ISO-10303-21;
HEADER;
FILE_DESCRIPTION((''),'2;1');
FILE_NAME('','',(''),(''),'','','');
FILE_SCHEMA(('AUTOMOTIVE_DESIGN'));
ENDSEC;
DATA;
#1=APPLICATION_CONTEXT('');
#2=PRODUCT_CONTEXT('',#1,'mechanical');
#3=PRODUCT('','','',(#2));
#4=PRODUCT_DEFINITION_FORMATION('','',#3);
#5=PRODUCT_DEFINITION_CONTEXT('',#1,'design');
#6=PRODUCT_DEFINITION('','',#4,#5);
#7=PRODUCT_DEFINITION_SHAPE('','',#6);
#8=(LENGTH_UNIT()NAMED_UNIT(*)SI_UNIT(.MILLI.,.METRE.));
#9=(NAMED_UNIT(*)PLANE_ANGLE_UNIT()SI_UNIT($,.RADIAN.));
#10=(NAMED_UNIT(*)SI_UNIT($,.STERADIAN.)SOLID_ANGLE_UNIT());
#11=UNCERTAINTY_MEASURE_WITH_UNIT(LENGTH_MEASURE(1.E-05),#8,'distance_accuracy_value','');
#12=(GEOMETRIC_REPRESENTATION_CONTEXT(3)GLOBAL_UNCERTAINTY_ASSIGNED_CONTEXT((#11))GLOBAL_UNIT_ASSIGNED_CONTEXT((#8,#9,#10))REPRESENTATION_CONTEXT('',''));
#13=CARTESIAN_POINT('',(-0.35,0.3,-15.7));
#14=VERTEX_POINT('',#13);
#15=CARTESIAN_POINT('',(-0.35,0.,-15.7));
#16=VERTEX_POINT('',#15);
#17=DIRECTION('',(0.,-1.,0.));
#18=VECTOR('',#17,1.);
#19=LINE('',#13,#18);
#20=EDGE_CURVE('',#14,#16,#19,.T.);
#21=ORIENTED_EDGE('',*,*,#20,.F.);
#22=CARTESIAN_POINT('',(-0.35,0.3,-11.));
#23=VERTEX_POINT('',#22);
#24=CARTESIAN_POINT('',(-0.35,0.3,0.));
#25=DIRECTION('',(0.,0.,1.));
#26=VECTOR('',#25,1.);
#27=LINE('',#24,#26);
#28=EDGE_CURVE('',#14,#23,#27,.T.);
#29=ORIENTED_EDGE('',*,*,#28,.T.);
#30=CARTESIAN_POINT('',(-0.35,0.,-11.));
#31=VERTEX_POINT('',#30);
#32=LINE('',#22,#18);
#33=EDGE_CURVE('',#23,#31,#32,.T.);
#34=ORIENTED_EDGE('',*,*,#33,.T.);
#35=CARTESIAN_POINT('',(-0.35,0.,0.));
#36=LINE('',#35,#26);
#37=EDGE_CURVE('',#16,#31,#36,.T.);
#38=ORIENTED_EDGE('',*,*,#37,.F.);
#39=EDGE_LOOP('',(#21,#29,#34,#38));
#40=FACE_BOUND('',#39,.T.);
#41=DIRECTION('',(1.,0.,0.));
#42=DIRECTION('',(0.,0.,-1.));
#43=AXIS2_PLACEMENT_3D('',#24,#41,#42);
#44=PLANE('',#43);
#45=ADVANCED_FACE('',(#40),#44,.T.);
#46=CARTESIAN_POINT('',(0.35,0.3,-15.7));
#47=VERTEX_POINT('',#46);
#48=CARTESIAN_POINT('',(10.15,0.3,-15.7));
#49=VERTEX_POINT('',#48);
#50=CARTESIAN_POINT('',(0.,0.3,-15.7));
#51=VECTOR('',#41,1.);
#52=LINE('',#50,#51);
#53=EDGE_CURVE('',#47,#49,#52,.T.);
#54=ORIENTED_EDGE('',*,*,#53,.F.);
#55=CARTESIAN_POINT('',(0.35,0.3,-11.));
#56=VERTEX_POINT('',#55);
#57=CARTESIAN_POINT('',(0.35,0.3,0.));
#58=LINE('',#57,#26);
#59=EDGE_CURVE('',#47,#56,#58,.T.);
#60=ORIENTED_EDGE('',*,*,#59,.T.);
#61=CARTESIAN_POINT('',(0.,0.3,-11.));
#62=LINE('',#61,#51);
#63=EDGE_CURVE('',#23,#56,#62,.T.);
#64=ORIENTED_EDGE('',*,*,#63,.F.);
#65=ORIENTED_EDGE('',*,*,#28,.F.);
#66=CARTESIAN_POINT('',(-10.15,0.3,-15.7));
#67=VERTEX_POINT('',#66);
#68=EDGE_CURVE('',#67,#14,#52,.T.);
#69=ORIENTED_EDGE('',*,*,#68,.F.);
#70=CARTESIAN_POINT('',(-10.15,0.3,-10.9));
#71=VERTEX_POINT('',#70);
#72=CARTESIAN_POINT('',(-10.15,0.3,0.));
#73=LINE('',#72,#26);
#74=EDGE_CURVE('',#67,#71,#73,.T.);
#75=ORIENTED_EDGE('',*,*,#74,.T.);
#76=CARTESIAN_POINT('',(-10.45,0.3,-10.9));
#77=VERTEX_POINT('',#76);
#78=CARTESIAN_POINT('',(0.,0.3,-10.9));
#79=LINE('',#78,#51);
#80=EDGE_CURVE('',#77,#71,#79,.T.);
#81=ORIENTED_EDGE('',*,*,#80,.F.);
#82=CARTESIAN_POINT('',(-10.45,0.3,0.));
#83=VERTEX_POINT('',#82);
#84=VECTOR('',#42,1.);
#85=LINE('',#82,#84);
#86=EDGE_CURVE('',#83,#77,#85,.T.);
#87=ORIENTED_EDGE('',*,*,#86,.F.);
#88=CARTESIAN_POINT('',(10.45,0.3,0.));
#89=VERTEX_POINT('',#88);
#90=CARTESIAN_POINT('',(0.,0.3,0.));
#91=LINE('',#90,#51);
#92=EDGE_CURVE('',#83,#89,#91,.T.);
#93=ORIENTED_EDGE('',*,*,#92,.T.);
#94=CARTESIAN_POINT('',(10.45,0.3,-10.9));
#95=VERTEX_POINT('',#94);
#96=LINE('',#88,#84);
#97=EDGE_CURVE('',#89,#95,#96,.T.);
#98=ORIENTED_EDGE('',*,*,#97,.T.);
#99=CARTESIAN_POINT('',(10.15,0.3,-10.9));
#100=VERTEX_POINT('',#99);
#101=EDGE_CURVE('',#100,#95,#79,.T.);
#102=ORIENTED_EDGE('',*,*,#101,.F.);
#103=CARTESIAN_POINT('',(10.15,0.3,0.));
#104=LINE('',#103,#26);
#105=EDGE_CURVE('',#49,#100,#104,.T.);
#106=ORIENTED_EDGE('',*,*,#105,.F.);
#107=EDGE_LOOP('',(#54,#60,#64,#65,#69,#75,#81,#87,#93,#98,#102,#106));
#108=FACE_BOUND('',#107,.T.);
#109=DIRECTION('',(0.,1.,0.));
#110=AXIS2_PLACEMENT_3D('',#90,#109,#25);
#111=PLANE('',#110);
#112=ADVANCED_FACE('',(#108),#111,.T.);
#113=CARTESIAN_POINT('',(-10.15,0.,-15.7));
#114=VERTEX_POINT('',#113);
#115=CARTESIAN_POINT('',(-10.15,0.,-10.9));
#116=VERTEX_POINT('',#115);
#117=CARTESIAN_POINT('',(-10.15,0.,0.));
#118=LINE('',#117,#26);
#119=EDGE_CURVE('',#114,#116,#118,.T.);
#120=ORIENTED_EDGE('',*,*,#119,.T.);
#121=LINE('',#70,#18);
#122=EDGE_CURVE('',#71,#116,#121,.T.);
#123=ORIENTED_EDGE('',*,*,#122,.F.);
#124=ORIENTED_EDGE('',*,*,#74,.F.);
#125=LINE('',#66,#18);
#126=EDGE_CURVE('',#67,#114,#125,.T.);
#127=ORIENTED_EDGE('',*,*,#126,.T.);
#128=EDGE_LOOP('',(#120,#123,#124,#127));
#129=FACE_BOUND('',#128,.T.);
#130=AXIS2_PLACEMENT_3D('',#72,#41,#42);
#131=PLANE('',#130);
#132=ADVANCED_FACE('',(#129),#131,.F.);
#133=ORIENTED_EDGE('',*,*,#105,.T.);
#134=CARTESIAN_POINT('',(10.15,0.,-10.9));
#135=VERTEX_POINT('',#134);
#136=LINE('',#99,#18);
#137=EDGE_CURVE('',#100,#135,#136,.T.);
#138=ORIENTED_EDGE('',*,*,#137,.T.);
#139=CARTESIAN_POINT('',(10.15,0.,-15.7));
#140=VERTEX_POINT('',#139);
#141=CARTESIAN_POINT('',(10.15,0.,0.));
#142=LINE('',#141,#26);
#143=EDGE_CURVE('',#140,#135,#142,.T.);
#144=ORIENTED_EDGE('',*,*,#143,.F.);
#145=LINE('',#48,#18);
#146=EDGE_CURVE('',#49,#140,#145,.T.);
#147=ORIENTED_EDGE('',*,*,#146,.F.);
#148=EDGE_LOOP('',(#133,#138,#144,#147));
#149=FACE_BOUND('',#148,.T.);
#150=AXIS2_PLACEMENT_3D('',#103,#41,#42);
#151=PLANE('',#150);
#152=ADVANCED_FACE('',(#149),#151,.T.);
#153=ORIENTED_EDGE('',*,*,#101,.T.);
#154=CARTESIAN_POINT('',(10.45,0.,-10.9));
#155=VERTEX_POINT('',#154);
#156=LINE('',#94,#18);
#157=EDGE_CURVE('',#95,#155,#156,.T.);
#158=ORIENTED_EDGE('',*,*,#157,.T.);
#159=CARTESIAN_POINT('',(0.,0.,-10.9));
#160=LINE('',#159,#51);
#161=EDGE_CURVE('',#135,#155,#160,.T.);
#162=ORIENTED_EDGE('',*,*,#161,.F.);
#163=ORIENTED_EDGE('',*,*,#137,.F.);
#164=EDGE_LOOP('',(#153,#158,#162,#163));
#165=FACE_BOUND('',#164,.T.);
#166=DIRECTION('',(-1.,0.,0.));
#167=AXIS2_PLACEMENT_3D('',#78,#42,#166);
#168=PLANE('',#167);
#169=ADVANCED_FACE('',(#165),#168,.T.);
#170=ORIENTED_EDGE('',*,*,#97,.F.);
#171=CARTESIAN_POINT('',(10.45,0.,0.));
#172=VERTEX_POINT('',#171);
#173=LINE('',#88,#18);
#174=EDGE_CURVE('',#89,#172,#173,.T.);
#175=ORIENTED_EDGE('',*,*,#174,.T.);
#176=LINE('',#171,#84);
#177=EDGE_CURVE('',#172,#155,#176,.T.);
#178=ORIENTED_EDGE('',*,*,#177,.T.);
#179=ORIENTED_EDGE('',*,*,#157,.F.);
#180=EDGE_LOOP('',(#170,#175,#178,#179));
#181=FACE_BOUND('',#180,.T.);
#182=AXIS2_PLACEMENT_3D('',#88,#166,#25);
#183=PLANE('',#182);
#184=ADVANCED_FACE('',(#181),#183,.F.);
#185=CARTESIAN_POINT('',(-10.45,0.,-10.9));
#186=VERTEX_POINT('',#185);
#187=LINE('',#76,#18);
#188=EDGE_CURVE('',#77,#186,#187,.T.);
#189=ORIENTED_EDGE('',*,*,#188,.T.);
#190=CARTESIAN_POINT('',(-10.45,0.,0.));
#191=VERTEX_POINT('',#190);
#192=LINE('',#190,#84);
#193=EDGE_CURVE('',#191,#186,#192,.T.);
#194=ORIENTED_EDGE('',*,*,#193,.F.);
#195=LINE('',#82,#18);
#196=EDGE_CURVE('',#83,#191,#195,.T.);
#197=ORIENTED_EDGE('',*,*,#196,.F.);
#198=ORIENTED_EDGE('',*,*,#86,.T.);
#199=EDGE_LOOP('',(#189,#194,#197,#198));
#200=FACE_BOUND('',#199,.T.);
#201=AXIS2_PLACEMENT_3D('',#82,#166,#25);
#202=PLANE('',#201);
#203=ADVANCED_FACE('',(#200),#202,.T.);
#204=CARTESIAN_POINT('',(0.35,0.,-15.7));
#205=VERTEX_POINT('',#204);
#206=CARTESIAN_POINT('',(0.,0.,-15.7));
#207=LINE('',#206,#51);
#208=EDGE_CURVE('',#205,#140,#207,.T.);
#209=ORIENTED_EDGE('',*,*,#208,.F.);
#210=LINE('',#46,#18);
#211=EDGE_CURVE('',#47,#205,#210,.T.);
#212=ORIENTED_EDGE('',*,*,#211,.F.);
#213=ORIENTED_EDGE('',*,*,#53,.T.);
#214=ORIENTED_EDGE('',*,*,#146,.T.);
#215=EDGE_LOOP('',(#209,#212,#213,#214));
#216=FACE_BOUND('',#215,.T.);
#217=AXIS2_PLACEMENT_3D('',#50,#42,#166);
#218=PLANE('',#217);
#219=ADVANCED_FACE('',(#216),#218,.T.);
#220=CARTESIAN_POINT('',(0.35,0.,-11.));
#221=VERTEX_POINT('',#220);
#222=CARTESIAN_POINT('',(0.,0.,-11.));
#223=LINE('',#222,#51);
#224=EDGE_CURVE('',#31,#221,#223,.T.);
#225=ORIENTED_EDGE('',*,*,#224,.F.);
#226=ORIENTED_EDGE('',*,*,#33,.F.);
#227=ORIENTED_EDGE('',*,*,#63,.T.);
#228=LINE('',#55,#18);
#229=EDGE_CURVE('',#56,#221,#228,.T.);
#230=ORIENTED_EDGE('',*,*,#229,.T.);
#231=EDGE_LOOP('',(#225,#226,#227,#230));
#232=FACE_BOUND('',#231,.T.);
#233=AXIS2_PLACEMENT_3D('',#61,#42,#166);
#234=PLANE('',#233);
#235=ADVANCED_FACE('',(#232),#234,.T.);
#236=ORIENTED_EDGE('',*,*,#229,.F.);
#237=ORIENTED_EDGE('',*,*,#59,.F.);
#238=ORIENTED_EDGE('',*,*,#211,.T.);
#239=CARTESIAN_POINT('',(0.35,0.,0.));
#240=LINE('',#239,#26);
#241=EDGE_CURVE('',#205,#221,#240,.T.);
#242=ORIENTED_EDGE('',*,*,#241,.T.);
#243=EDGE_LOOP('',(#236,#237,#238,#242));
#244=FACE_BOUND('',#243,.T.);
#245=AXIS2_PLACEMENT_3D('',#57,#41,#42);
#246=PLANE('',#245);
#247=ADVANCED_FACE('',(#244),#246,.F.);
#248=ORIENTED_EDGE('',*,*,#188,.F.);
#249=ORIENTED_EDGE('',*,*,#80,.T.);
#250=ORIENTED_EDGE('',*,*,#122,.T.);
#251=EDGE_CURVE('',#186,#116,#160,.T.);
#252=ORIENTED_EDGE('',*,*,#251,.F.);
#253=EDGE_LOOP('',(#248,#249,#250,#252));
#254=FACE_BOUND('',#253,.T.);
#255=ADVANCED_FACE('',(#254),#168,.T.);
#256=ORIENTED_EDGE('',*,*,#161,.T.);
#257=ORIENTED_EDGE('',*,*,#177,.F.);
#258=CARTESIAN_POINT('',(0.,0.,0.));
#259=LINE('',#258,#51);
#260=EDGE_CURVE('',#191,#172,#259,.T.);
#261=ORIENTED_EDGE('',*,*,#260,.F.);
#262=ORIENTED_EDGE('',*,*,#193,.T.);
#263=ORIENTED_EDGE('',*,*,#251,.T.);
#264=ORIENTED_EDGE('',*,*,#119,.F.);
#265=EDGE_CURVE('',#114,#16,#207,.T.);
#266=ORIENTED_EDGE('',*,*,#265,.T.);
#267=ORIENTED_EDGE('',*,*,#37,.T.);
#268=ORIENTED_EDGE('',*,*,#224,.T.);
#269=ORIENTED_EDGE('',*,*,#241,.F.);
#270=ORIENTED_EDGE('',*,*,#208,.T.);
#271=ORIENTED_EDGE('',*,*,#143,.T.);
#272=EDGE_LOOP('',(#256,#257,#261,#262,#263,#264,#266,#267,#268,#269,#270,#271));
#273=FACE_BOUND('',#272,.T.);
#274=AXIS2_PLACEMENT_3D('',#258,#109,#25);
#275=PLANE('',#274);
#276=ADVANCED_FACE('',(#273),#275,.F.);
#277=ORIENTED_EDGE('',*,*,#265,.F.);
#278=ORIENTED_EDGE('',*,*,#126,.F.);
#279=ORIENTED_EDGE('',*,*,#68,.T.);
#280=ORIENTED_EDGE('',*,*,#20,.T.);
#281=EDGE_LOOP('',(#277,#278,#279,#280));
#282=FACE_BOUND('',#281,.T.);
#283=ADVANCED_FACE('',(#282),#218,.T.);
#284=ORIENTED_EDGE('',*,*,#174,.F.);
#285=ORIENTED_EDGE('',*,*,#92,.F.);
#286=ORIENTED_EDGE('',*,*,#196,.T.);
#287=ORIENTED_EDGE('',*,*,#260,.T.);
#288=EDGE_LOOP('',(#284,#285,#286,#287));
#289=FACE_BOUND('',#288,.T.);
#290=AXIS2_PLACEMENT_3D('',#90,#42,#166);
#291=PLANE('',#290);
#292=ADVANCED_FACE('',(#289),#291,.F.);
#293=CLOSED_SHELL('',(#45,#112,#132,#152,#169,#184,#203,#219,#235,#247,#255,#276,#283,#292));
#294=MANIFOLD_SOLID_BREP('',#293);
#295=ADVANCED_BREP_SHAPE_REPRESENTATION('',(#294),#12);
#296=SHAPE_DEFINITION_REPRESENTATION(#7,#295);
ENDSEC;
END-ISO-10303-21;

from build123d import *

# Parameters (mm, degrees)
SKETCH1_W           = 9.8
SKETCH1_H           = 4.7
SKETCH1_H_2         = 0.1
SKETCH1_W_2         = 0.1
SKETCH1_H_3         = 10.9
SKETCH1_W_3         = 0.2
BOSS_EXTRUDE1_DEPTH = 0.3


with BuildPart() as part:
    # Sketch1 → Boss-Extrude1 (new body)
    with BuildSketch(Plane(origin=(0, 0, 0), x_dir=(1, 0, 0), z_dir=(0, 1, 0))):
        with Locations((-5.25, 13.35)):
            Rectangle(SKETCH1_W, SKETCH1_H)
        with Locations((5.25, 13.35)):
            Rectangle(SKETCH1_W, SKETCH1_H)
        with Locations((-5.25, 10.95)):
            Rectangle(SKETCH1_W, SKETCH1_H_2)
        with Locations((5.25, 10.95)):
            Rectangle(SKETCH1_W, SKETCH1_H_2)
        Polygon((-0.35, 11), (-0.35, 10.9), (0.35, 10.9), (0.35, 11), (0.25, 11), (-0.25, 11), align=None)
        Polygon((-10.15, 10.9), (-10.15, 0), (10.15, 0), (10.15, 10.9), (0.35, 10.9), (-0.35, 10.9), align=None)
        with Locations((-10.2, 5.45)):
            Rectangle(SKETCH1_W_2, SKETCH1_H_3)
        with Locations((-10.35, 5.45)):
            Rectangle(SKETCH1_W_3, SKETCH1_H_3)
        with Locations((10.35, 5.45)):
            Rectangle(SKETCH1_W_3, SKETCH1_H_3)
        with Locations((10.2, 5.45)):
            Rectangle(SKETCH1_W_2, SKETCH1_H_3)
    extrude(amount=BOSS_EXTRUDE1_DEPTH)


solid = part.part
